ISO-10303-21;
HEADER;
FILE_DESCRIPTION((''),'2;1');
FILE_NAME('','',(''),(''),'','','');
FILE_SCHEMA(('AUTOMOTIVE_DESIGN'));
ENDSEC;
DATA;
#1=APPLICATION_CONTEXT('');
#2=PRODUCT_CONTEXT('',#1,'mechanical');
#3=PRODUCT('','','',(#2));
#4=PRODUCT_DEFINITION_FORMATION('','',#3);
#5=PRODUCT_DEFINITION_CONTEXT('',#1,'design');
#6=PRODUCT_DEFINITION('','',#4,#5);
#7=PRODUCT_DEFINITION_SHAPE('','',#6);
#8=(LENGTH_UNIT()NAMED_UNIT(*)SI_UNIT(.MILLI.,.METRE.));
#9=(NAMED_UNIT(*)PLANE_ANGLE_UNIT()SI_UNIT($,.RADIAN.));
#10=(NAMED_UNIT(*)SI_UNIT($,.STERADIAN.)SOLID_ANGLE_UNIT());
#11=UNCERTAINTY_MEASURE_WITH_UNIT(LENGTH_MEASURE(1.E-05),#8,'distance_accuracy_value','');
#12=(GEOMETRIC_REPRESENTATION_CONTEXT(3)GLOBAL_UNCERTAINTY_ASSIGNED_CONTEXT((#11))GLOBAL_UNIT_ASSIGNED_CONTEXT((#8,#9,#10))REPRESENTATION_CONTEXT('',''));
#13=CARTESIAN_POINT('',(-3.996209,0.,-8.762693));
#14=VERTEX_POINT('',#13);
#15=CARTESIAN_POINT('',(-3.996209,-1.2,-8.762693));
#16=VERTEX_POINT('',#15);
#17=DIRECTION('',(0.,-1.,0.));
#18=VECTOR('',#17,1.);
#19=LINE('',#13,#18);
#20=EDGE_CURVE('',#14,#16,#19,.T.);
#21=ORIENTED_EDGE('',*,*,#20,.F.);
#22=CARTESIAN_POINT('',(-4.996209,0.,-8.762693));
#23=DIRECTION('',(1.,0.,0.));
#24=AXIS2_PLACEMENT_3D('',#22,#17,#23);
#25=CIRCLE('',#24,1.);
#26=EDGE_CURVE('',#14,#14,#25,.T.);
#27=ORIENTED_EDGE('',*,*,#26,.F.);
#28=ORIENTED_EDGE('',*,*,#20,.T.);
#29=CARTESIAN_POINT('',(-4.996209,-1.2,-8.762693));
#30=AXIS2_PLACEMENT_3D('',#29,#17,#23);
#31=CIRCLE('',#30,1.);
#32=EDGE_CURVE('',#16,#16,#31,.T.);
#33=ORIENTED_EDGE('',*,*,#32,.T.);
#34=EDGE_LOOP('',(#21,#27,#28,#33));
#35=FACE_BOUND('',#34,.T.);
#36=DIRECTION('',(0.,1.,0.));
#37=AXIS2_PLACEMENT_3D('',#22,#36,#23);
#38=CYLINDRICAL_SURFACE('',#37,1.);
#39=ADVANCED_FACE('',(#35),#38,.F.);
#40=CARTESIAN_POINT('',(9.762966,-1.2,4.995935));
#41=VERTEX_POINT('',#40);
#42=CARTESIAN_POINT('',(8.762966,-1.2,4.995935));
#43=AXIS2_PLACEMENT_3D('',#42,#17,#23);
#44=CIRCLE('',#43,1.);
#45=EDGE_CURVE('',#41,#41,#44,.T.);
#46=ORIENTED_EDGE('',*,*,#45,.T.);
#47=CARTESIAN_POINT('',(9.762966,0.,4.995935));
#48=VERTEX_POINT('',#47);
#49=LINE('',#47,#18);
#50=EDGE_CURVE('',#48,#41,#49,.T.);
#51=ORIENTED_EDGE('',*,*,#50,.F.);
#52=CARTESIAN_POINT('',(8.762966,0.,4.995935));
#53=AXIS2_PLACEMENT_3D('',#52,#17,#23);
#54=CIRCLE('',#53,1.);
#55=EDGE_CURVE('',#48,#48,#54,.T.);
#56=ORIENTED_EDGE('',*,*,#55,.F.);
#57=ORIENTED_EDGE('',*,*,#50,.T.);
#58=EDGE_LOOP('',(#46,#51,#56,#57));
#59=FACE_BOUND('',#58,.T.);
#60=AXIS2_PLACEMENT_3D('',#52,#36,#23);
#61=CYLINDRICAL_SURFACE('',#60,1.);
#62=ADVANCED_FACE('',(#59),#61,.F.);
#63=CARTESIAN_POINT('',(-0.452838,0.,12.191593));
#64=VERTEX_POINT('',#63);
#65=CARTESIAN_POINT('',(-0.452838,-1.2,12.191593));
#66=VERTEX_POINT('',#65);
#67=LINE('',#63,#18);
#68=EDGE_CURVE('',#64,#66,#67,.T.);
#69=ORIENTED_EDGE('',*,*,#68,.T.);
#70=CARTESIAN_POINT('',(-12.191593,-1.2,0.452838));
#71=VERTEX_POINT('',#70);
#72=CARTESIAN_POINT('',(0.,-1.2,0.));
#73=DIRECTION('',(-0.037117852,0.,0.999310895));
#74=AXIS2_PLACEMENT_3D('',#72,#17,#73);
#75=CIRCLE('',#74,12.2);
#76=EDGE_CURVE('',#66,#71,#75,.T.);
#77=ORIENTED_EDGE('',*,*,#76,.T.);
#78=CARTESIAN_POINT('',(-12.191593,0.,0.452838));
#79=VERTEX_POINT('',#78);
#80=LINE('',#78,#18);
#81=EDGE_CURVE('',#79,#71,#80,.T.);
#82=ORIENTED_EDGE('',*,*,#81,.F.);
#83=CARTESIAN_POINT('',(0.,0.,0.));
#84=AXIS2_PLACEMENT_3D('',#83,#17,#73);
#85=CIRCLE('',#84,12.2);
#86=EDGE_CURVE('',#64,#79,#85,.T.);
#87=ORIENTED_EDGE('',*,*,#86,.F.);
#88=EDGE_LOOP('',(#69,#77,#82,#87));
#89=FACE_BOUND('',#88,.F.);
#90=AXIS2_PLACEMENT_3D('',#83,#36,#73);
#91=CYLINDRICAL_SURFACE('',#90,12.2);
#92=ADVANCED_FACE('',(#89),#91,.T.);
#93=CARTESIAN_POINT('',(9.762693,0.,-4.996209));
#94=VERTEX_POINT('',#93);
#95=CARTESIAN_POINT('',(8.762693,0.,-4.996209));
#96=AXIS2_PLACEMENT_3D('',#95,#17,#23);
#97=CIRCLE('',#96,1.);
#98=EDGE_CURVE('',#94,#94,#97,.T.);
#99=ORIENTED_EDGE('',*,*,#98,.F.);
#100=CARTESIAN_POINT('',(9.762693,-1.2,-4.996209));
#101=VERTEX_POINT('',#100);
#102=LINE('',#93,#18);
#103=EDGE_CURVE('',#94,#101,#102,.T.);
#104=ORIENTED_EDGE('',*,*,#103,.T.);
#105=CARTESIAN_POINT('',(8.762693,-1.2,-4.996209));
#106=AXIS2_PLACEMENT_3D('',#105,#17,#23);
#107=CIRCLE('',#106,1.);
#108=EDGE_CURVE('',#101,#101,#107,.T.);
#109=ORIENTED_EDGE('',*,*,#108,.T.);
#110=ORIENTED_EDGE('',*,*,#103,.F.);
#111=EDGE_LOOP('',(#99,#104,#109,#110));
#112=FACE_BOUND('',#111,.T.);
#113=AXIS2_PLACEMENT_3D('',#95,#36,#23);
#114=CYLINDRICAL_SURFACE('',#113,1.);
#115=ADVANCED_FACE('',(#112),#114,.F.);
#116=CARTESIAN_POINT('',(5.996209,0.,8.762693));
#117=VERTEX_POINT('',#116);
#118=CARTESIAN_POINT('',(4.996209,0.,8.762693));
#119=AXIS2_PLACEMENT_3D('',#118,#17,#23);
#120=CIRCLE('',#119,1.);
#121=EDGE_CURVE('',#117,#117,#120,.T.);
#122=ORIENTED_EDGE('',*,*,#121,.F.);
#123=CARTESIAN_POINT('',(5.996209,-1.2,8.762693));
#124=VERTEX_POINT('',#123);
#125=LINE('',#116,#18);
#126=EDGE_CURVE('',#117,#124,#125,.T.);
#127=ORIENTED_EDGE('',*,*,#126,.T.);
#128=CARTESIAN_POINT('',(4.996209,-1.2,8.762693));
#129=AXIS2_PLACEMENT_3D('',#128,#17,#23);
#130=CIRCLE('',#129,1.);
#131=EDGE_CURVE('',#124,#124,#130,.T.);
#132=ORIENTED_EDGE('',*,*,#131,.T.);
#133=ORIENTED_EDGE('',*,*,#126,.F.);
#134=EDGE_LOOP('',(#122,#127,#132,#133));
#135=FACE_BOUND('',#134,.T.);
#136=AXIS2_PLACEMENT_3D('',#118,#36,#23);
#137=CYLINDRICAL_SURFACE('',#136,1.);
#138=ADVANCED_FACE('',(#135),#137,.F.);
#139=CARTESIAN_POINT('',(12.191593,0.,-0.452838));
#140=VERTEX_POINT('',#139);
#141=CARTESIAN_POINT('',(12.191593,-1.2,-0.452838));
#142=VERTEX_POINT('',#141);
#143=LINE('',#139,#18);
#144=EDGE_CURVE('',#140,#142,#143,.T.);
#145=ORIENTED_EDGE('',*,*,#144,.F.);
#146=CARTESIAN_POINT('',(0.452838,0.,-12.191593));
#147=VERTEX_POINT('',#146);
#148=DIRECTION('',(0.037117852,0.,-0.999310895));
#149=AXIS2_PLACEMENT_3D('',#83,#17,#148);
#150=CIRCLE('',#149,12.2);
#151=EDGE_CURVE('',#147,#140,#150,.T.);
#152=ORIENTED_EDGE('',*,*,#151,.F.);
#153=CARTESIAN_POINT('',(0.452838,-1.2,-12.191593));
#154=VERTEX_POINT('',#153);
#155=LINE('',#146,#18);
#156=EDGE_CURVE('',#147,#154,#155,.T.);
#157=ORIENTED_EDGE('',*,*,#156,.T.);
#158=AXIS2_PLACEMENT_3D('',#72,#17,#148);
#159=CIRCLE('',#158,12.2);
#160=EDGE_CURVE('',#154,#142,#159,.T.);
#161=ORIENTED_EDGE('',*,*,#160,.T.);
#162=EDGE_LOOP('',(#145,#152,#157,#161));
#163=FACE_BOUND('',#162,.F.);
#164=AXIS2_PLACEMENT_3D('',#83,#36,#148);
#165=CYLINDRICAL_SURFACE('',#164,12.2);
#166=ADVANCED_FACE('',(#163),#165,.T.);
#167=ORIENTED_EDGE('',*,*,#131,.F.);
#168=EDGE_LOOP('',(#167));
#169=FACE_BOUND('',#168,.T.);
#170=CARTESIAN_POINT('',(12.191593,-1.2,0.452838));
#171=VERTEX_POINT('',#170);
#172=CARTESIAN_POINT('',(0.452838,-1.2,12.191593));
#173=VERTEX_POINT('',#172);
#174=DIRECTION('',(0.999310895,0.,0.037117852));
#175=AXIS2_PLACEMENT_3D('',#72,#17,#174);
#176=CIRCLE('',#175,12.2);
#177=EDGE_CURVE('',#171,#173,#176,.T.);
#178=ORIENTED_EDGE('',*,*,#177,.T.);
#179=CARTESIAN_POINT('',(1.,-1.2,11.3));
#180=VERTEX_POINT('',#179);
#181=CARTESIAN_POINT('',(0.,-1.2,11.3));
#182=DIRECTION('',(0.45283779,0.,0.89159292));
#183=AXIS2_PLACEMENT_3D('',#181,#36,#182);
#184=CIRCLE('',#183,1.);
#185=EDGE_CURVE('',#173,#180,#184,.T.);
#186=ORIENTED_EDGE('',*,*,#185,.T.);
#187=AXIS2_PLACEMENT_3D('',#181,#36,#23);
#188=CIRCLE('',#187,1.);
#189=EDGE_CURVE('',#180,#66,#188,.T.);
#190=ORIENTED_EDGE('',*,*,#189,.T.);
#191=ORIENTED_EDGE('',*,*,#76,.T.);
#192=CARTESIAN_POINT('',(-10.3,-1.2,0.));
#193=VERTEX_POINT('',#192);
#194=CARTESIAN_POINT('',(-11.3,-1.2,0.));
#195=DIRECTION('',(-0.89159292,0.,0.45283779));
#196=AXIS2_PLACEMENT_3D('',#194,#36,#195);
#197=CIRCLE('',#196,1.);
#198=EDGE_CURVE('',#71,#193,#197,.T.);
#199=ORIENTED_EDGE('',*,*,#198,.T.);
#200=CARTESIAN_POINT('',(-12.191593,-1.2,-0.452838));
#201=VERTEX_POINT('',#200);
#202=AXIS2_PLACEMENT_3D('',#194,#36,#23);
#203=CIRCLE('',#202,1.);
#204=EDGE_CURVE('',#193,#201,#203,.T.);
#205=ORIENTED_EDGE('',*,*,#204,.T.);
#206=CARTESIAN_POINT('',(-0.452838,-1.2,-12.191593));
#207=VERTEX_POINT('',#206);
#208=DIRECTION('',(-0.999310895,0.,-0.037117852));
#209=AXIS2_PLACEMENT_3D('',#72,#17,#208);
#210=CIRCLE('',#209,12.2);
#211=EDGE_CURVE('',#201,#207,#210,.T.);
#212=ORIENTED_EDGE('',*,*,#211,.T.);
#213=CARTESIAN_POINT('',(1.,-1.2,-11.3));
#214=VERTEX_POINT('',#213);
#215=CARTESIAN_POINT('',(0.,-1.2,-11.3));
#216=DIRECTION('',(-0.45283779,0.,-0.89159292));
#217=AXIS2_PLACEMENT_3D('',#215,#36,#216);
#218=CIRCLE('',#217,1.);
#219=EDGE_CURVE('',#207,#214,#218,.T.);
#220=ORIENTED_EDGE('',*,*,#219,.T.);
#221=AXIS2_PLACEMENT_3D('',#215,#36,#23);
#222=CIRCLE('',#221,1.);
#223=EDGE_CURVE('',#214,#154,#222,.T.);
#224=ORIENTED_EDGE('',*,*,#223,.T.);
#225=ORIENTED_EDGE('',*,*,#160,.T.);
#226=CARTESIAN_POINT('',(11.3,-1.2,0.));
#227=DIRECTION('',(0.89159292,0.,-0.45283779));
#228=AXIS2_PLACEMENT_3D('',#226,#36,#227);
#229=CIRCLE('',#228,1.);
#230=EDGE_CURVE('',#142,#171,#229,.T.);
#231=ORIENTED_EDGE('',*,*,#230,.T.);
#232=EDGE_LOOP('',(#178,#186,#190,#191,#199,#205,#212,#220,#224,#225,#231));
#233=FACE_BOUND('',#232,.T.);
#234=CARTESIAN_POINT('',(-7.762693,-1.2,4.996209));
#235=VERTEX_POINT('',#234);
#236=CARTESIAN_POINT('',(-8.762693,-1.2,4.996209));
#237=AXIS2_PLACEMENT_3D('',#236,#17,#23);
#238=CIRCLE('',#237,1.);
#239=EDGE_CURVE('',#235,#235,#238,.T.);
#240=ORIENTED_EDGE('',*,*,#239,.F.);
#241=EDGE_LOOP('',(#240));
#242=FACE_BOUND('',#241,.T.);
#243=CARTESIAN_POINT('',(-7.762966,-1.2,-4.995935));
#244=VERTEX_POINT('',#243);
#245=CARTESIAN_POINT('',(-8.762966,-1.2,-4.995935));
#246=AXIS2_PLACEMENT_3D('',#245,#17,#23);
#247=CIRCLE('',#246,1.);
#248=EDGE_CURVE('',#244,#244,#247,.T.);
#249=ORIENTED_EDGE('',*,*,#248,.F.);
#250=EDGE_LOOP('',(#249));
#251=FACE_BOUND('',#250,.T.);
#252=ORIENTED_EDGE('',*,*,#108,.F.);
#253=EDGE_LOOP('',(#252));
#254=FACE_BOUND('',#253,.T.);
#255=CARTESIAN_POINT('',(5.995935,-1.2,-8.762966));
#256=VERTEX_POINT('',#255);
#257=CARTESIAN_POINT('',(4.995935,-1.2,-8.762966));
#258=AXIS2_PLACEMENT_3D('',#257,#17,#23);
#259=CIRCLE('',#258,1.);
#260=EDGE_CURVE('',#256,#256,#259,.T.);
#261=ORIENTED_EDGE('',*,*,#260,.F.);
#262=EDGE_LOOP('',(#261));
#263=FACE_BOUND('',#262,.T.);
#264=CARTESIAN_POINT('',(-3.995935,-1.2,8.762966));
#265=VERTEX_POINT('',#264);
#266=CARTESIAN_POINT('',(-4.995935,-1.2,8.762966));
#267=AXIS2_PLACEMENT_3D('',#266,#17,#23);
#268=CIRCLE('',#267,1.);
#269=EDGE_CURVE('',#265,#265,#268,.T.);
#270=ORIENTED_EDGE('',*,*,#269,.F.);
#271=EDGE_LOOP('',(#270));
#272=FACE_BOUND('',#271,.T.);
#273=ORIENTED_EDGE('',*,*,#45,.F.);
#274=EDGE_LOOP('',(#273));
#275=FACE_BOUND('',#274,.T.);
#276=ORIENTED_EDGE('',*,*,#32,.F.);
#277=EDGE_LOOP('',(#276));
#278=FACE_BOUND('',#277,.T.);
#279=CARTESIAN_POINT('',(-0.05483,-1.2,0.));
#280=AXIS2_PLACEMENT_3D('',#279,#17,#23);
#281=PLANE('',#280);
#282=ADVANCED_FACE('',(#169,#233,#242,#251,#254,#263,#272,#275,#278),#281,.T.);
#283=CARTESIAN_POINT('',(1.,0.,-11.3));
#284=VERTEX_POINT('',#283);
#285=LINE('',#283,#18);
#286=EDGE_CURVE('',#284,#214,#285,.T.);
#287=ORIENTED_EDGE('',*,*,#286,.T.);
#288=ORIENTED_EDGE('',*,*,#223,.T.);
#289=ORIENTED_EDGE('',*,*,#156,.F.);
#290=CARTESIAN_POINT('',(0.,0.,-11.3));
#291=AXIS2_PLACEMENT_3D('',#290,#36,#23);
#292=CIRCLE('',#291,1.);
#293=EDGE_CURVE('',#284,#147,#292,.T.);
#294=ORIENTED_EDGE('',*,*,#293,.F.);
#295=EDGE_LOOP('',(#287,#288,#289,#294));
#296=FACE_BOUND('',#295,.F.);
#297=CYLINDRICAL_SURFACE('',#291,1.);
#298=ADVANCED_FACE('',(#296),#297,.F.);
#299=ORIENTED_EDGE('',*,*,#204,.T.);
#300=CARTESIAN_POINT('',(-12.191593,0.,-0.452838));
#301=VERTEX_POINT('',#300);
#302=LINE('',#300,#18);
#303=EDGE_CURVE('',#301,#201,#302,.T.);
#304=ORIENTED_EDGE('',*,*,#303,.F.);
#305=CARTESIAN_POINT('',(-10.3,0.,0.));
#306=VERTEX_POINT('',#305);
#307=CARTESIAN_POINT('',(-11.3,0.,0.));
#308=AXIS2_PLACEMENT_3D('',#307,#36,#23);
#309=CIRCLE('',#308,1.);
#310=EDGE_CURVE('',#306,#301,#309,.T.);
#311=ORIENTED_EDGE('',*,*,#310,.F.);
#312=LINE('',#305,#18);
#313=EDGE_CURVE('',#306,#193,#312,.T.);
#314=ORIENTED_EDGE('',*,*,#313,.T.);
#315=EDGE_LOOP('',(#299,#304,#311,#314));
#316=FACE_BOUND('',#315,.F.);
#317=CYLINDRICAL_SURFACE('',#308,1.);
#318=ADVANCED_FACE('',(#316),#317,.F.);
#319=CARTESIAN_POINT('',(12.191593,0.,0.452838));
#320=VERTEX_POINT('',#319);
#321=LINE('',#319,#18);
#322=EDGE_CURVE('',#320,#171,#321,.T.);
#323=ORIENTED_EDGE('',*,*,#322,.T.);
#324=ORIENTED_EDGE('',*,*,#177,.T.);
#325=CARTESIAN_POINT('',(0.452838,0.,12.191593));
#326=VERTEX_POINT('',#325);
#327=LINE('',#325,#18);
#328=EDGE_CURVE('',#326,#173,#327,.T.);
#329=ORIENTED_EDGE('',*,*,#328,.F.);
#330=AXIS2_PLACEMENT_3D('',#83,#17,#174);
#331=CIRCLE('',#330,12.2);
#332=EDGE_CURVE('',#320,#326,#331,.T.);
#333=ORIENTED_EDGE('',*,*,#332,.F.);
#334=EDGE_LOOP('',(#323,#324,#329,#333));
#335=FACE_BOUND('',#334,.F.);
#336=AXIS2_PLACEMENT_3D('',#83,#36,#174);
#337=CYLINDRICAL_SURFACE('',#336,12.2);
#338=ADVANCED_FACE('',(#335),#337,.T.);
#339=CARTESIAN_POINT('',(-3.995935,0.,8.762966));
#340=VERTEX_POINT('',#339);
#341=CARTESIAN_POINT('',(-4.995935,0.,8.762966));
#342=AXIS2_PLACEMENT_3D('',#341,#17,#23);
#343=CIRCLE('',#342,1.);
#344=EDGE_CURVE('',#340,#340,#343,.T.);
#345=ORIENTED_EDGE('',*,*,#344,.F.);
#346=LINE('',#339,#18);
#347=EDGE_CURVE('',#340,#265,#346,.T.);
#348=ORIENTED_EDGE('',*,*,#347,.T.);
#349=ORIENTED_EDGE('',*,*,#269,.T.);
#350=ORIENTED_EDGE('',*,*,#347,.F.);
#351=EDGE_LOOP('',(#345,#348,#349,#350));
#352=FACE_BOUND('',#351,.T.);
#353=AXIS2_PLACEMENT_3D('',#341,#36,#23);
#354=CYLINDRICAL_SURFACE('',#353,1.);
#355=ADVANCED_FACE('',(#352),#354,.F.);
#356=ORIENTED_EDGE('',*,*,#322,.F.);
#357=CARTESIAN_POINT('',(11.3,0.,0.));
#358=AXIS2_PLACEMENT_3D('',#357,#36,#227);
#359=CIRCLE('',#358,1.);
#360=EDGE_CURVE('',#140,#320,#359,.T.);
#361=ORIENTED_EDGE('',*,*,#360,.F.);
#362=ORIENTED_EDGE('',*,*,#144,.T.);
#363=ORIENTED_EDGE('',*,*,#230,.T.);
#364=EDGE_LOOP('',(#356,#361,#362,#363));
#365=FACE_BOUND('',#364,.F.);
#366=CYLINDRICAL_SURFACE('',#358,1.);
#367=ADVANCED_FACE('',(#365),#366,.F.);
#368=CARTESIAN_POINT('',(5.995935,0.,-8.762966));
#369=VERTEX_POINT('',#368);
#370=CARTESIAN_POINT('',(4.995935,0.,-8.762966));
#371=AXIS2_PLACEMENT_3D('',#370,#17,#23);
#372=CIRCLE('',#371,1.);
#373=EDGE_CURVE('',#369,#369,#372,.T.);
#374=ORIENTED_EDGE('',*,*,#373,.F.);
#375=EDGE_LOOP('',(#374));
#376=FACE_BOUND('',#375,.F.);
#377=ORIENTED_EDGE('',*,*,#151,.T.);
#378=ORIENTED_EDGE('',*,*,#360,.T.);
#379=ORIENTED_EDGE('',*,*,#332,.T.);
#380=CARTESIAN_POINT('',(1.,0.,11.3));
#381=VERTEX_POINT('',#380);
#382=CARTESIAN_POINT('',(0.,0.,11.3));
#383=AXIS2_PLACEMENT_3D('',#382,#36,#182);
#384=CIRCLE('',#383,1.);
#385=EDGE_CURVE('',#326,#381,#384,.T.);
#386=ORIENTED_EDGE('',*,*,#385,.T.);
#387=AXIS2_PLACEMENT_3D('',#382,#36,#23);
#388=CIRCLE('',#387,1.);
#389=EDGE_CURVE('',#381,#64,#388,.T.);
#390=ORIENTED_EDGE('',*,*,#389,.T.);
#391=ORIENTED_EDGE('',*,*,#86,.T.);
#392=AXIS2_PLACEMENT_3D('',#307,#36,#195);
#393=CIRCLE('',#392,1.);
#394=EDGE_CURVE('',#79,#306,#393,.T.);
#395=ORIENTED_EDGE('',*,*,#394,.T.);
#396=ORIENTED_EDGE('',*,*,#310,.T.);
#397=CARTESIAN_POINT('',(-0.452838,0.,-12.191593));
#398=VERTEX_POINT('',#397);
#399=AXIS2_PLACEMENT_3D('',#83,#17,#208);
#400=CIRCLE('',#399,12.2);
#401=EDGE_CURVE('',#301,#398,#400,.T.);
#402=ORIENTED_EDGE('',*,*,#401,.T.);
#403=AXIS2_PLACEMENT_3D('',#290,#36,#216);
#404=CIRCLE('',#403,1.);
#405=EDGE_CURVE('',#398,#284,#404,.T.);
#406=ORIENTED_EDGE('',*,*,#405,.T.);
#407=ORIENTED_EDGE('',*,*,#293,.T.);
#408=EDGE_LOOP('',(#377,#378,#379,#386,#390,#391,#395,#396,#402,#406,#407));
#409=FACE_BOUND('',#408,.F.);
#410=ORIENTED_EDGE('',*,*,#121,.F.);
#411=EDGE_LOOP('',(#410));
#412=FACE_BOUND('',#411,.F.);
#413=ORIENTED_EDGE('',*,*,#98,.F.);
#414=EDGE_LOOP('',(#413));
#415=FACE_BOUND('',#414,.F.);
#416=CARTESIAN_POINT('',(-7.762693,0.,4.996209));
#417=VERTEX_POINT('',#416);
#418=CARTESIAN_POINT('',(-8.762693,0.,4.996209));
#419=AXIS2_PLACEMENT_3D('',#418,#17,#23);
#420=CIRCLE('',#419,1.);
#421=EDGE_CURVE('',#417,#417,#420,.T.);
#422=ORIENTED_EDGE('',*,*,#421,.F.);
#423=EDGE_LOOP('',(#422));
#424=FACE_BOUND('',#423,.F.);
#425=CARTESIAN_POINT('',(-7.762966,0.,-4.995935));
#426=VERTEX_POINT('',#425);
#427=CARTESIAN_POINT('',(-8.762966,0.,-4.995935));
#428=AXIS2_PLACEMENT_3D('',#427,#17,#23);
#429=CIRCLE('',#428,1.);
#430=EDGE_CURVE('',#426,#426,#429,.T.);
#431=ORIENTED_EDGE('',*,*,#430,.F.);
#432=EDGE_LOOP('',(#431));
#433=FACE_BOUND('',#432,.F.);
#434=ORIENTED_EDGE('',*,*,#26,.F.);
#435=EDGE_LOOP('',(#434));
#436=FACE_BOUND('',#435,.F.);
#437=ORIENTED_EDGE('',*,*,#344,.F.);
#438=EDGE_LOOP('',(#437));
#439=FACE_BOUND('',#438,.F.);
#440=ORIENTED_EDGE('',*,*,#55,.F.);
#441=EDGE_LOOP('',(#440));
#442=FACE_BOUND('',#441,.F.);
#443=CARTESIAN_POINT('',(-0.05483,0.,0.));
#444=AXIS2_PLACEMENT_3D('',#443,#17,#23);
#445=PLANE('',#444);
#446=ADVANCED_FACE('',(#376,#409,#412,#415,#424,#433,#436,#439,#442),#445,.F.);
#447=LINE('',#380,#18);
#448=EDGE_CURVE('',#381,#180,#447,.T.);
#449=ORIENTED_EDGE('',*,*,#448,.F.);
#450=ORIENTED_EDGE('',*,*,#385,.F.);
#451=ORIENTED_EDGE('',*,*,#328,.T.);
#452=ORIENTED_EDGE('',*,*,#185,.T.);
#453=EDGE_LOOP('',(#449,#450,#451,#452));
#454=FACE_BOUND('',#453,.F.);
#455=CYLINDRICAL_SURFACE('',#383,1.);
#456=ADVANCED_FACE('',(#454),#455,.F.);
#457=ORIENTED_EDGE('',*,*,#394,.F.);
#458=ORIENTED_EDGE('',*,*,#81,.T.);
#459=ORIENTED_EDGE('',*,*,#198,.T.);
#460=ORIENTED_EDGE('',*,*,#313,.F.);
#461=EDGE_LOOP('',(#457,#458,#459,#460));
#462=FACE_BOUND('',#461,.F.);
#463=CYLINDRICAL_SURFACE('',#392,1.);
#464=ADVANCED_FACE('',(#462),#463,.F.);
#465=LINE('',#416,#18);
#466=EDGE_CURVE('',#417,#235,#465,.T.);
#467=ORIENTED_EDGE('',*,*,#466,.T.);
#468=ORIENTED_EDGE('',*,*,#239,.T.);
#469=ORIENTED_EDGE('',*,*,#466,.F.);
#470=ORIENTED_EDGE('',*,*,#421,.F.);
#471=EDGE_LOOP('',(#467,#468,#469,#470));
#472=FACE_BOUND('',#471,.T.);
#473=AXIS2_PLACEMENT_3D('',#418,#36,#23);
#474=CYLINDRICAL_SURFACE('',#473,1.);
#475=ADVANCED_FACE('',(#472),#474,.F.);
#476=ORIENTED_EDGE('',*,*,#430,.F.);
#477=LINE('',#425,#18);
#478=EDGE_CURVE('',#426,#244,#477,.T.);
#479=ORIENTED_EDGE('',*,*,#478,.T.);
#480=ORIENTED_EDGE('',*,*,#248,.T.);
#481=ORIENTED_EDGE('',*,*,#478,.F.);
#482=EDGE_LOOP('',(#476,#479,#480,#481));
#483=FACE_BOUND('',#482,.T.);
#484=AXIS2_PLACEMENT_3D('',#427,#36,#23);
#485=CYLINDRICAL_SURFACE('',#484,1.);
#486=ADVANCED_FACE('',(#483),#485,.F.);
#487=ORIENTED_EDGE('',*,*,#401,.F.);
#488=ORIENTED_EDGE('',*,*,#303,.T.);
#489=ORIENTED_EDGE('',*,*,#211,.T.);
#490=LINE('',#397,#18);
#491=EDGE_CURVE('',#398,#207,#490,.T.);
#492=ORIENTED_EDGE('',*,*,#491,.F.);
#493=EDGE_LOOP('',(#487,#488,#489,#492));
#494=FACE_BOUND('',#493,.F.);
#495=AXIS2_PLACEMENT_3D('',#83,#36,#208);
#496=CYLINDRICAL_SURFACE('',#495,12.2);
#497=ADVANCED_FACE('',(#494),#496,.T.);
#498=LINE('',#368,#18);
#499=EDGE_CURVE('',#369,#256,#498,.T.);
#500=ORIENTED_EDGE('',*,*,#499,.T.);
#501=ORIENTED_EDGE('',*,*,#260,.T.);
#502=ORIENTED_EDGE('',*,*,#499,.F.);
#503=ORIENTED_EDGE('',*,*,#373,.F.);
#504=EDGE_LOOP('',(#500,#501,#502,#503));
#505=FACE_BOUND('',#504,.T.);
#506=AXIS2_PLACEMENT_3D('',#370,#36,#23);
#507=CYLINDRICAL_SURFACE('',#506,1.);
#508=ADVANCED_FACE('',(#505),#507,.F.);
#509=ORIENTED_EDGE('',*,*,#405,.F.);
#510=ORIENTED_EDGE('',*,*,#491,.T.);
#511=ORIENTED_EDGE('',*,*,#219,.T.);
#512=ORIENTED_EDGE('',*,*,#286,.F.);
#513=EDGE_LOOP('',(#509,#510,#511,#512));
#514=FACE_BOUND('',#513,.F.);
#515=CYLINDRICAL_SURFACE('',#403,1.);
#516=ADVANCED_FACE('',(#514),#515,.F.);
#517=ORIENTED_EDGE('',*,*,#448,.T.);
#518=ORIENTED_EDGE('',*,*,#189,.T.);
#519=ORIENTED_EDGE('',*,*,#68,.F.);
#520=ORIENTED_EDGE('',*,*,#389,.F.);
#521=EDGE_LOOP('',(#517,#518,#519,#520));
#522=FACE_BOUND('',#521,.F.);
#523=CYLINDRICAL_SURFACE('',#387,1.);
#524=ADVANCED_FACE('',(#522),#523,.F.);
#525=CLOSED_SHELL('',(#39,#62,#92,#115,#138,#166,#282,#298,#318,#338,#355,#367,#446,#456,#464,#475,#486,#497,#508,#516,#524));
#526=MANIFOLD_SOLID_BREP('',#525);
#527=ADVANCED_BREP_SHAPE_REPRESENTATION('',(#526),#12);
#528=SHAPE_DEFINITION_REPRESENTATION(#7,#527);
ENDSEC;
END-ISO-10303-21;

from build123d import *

# Parameters (mm, degrees)
F0_R     = 1
F1_DEPTH = 1.2


with BuildPart() as f1:
    # F0 (on Front) → F1 (new body)
    with BuildSketch(Plane.XZ):
        with BuildLine():
            ThreePointArc((12.1915929204, -0.4528377904), (10.3, 0), (12.1915929204, 0.4528377904))
            ThreePointArc((12.1915929204, 0.4528377904), (8.6267027305, 8.6267027305), (0.4528377904, 12.1915929204))
            ThreePointArc((0.4528377904, 12.1915929204), (0.852302115, 11.823049811), (1, 11.3))
            ThreePointArc((1, 11.3), (-0.523049811, 10.447697885), (-0.4528377904, 12.1915929204))
            ThreePointArc((-0.4528377904, 12.1915929204), (-8.6267027305, 8.6267027305), (-12.1915929204, 0.4528377904))
            ThreePointArc((-12.1915929204, 0.4528377904), (-11.0671834632, 0.9725206734), (-10.3, 0))
            ThreePointArc((-10.3, 0), (-11.0671834632, -0.9725206734), (-12.1915929204, -0.4528377904))
            ThreePointArc((-12.1915929204, -0.4528377904), (-8.6267027305, -8.6267027305), (-0.4528377904, -12.1915929204))
            ThreePointArc((-0.4528377904, -12.1915929204), (-0.523049811, -10.447697885), (1, -11.3))
            ThreePointArc((1, -11.3), (0.852302115, -11.823049811), (0.4528377904, -12.1915929204))
            ThreePointArc((0.4528377904, -12.1915929204), (8.6267027305, -8.6267027305), (12.1915929204, -0.4528377904))
        make_face()
        with Locations((-4.996208501, -8.7626928542)):
            Circle(F0_R, mode=Mode.SUBTRACT)
        with Locations((-8.7629663243, -4.9959350308)):
            Circle(F0_R, mode=Mode.SUBTRACT)
        with Locations((4.9959350308, -8.7629663243)):
            Circle(F0_R, mode=Mode.SUBTRACT)
        with Locations((8.7626928542, -4.996208501)):
            Circle(F0_R, mode=Mode.SUBTRACT)
        with Locations((-8.7626928542, 4.996208501)):
            Circle(F0_R, mode=Mode.SUBTRACT)
        with Locations((-4.9959350308, 8.7629663243)):
            Circle(F0_R, mode=Mode.SUBTRACT)
        with Locations((8.7629663243, 4.9959350308)):
            Circle(F0_R, mode=Mode.SUBTRACT)
        with Locations((4.996208501, 8.7626928542)):
            Circle(F0_R, mode=Mode.SUBTRACT)
    extrude(amount=F1_DEPTH)


solid = f1.part
